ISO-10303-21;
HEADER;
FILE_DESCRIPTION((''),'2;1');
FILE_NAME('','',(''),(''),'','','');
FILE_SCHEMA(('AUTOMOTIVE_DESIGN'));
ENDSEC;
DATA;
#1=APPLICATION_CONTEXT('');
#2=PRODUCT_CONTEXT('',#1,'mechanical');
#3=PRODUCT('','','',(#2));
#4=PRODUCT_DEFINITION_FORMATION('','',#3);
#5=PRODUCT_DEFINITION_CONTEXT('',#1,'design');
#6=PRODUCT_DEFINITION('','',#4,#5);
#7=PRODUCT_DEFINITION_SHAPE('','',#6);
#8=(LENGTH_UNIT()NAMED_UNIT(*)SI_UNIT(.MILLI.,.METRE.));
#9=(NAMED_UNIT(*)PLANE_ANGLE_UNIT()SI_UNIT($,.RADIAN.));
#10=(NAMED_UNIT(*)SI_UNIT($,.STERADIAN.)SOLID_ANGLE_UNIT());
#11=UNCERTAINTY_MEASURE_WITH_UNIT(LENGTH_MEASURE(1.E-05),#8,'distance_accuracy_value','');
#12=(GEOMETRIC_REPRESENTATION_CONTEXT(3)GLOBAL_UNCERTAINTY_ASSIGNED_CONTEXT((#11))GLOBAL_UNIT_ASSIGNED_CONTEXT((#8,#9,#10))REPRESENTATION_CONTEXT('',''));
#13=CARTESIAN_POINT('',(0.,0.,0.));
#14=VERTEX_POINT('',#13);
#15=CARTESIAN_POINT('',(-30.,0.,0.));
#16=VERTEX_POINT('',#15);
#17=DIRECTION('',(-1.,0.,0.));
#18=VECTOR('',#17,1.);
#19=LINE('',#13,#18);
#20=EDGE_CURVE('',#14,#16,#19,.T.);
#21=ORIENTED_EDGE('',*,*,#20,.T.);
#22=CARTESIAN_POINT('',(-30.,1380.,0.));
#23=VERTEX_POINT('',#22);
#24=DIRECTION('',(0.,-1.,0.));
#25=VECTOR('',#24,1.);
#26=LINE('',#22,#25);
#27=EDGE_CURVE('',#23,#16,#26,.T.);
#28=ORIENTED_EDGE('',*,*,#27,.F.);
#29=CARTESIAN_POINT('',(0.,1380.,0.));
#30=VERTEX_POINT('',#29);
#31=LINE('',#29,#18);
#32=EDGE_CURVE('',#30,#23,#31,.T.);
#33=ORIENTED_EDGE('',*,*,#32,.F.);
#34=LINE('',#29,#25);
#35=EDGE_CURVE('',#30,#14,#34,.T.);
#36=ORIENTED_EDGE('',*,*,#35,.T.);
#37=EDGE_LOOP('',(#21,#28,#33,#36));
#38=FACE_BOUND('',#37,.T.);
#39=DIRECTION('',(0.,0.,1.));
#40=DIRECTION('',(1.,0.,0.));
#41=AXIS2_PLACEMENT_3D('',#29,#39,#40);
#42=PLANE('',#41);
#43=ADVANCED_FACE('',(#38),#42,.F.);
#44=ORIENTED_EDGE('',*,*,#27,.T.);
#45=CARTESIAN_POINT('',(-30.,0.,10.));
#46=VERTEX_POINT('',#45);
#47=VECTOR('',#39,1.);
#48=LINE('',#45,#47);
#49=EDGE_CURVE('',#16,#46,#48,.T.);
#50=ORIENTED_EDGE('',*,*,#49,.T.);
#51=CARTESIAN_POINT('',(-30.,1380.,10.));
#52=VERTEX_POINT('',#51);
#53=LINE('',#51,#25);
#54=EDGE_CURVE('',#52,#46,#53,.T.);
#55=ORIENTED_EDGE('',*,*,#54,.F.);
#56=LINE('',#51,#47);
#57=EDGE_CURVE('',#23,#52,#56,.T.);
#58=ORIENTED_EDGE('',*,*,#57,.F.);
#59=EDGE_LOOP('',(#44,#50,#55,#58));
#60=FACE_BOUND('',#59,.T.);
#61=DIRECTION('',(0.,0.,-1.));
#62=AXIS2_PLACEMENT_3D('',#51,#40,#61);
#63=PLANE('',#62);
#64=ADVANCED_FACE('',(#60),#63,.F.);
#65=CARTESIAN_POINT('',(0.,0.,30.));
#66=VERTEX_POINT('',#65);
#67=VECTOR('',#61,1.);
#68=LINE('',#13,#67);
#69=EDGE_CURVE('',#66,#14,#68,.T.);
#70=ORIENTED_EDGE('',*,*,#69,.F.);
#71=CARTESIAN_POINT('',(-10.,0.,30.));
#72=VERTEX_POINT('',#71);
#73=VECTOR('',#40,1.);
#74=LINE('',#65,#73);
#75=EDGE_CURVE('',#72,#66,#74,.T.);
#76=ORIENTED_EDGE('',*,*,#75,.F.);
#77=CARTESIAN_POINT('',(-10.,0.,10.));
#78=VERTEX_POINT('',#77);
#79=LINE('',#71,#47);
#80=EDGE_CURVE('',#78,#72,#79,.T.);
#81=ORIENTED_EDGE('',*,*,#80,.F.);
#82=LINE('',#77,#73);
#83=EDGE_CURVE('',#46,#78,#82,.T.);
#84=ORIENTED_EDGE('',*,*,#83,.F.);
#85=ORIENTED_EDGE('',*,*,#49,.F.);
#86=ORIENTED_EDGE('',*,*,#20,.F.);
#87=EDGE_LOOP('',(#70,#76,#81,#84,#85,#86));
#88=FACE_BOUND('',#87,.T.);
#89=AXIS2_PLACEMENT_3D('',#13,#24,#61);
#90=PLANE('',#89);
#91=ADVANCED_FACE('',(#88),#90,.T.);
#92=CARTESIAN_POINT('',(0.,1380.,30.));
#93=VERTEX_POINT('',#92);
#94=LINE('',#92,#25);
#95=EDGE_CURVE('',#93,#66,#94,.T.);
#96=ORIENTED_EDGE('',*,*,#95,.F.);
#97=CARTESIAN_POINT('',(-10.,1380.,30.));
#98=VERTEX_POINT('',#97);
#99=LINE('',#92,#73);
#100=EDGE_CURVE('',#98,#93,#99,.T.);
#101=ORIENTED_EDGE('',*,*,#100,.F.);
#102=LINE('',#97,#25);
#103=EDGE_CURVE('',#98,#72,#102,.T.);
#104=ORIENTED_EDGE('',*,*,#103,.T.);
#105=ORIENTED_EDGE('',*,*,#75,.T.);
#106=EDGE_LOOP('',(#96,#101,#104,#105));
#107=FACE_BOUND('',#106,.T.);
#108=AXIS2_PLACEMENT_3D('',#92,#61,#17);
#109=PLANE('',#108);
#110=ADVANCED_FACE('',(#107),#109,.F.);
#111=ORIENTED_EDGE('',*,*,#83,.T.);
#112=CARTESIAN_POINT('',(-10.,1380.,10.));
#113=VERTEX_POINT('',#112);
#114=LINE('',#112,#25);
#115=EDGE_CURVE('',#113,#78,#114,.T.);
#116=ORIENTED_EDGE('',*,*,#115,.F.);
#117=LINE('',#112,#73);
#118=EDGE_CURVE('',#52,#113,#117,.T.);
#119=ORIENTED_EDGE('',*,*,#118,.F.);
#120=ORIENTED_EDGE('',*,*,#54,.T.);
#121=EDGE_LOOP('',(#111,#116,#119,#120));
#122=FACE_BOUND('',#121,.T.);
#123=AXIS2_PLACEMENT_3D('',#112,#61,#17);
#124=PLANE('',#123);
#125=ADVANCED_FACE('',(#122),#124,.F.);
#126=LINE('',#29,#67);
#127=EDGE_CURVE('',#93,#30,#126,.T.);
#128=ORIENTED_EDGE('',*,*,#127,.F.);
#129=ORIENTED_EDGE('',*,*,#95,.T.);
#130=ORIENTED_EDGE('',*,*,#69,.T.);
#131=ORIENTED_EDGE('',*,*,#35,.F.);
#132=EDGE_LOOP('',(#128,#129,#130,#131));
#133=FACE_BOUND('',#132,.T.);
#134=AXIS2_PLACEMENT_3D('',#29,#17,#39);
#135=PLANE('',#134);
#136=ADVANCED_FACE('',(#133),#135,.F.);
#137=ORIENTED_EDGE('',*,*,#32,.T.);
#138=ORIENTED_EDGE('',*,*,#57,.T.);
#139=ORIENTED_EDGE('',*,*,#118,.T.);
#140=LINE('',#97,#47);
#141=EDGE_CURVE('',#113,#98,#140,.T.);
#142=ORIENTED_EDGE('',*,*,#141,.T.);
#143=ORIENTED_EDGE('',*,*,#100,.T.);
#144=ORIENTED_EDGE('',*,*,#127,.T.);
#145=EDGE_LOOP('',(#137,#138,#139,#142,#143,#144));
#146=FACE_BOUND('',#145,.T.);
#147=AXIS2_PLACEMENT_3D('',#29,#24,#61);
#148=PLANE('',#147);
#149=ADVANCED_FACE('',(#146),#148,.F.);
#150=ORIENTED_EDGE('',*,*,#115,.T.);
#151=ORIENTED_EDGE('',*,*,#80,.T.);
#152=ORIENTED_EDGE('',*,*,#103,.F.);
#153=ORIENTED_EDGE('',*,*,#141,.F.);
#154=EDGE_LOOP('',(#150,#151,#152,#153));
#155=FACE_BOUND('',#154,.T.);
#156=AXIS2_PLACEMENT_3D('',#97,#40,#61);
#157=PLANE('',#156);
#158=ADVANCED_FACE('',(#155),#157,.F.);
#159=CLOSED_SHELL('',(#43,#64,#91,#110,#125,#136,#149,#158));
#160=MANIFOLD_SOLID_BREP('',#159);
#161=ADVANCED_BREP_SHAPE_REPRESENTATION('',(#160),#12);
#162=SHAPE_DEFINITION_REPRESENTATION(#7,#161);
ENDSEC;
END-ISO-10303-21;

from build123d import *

# Parameters (mm, degrees)
BOSS_EXTRUDE1_DEPTH = 1380


with BuildPart() as part:
    # Sketch1 → Boss-Extrude1 (new body)
    with BuildSketch(Plane(origin=(0, 0, 0), x_dir=(1, 0, 0), z_dir=(0, 1, 0))):
        Polygon((0, 0), (-30, 0), (-30, -10), (-10, -10), (-10, -30), (0, -30), align=None)
    extrude(amount=BOSS_EXTRUDE1_DEPTH)


solid = part.part
